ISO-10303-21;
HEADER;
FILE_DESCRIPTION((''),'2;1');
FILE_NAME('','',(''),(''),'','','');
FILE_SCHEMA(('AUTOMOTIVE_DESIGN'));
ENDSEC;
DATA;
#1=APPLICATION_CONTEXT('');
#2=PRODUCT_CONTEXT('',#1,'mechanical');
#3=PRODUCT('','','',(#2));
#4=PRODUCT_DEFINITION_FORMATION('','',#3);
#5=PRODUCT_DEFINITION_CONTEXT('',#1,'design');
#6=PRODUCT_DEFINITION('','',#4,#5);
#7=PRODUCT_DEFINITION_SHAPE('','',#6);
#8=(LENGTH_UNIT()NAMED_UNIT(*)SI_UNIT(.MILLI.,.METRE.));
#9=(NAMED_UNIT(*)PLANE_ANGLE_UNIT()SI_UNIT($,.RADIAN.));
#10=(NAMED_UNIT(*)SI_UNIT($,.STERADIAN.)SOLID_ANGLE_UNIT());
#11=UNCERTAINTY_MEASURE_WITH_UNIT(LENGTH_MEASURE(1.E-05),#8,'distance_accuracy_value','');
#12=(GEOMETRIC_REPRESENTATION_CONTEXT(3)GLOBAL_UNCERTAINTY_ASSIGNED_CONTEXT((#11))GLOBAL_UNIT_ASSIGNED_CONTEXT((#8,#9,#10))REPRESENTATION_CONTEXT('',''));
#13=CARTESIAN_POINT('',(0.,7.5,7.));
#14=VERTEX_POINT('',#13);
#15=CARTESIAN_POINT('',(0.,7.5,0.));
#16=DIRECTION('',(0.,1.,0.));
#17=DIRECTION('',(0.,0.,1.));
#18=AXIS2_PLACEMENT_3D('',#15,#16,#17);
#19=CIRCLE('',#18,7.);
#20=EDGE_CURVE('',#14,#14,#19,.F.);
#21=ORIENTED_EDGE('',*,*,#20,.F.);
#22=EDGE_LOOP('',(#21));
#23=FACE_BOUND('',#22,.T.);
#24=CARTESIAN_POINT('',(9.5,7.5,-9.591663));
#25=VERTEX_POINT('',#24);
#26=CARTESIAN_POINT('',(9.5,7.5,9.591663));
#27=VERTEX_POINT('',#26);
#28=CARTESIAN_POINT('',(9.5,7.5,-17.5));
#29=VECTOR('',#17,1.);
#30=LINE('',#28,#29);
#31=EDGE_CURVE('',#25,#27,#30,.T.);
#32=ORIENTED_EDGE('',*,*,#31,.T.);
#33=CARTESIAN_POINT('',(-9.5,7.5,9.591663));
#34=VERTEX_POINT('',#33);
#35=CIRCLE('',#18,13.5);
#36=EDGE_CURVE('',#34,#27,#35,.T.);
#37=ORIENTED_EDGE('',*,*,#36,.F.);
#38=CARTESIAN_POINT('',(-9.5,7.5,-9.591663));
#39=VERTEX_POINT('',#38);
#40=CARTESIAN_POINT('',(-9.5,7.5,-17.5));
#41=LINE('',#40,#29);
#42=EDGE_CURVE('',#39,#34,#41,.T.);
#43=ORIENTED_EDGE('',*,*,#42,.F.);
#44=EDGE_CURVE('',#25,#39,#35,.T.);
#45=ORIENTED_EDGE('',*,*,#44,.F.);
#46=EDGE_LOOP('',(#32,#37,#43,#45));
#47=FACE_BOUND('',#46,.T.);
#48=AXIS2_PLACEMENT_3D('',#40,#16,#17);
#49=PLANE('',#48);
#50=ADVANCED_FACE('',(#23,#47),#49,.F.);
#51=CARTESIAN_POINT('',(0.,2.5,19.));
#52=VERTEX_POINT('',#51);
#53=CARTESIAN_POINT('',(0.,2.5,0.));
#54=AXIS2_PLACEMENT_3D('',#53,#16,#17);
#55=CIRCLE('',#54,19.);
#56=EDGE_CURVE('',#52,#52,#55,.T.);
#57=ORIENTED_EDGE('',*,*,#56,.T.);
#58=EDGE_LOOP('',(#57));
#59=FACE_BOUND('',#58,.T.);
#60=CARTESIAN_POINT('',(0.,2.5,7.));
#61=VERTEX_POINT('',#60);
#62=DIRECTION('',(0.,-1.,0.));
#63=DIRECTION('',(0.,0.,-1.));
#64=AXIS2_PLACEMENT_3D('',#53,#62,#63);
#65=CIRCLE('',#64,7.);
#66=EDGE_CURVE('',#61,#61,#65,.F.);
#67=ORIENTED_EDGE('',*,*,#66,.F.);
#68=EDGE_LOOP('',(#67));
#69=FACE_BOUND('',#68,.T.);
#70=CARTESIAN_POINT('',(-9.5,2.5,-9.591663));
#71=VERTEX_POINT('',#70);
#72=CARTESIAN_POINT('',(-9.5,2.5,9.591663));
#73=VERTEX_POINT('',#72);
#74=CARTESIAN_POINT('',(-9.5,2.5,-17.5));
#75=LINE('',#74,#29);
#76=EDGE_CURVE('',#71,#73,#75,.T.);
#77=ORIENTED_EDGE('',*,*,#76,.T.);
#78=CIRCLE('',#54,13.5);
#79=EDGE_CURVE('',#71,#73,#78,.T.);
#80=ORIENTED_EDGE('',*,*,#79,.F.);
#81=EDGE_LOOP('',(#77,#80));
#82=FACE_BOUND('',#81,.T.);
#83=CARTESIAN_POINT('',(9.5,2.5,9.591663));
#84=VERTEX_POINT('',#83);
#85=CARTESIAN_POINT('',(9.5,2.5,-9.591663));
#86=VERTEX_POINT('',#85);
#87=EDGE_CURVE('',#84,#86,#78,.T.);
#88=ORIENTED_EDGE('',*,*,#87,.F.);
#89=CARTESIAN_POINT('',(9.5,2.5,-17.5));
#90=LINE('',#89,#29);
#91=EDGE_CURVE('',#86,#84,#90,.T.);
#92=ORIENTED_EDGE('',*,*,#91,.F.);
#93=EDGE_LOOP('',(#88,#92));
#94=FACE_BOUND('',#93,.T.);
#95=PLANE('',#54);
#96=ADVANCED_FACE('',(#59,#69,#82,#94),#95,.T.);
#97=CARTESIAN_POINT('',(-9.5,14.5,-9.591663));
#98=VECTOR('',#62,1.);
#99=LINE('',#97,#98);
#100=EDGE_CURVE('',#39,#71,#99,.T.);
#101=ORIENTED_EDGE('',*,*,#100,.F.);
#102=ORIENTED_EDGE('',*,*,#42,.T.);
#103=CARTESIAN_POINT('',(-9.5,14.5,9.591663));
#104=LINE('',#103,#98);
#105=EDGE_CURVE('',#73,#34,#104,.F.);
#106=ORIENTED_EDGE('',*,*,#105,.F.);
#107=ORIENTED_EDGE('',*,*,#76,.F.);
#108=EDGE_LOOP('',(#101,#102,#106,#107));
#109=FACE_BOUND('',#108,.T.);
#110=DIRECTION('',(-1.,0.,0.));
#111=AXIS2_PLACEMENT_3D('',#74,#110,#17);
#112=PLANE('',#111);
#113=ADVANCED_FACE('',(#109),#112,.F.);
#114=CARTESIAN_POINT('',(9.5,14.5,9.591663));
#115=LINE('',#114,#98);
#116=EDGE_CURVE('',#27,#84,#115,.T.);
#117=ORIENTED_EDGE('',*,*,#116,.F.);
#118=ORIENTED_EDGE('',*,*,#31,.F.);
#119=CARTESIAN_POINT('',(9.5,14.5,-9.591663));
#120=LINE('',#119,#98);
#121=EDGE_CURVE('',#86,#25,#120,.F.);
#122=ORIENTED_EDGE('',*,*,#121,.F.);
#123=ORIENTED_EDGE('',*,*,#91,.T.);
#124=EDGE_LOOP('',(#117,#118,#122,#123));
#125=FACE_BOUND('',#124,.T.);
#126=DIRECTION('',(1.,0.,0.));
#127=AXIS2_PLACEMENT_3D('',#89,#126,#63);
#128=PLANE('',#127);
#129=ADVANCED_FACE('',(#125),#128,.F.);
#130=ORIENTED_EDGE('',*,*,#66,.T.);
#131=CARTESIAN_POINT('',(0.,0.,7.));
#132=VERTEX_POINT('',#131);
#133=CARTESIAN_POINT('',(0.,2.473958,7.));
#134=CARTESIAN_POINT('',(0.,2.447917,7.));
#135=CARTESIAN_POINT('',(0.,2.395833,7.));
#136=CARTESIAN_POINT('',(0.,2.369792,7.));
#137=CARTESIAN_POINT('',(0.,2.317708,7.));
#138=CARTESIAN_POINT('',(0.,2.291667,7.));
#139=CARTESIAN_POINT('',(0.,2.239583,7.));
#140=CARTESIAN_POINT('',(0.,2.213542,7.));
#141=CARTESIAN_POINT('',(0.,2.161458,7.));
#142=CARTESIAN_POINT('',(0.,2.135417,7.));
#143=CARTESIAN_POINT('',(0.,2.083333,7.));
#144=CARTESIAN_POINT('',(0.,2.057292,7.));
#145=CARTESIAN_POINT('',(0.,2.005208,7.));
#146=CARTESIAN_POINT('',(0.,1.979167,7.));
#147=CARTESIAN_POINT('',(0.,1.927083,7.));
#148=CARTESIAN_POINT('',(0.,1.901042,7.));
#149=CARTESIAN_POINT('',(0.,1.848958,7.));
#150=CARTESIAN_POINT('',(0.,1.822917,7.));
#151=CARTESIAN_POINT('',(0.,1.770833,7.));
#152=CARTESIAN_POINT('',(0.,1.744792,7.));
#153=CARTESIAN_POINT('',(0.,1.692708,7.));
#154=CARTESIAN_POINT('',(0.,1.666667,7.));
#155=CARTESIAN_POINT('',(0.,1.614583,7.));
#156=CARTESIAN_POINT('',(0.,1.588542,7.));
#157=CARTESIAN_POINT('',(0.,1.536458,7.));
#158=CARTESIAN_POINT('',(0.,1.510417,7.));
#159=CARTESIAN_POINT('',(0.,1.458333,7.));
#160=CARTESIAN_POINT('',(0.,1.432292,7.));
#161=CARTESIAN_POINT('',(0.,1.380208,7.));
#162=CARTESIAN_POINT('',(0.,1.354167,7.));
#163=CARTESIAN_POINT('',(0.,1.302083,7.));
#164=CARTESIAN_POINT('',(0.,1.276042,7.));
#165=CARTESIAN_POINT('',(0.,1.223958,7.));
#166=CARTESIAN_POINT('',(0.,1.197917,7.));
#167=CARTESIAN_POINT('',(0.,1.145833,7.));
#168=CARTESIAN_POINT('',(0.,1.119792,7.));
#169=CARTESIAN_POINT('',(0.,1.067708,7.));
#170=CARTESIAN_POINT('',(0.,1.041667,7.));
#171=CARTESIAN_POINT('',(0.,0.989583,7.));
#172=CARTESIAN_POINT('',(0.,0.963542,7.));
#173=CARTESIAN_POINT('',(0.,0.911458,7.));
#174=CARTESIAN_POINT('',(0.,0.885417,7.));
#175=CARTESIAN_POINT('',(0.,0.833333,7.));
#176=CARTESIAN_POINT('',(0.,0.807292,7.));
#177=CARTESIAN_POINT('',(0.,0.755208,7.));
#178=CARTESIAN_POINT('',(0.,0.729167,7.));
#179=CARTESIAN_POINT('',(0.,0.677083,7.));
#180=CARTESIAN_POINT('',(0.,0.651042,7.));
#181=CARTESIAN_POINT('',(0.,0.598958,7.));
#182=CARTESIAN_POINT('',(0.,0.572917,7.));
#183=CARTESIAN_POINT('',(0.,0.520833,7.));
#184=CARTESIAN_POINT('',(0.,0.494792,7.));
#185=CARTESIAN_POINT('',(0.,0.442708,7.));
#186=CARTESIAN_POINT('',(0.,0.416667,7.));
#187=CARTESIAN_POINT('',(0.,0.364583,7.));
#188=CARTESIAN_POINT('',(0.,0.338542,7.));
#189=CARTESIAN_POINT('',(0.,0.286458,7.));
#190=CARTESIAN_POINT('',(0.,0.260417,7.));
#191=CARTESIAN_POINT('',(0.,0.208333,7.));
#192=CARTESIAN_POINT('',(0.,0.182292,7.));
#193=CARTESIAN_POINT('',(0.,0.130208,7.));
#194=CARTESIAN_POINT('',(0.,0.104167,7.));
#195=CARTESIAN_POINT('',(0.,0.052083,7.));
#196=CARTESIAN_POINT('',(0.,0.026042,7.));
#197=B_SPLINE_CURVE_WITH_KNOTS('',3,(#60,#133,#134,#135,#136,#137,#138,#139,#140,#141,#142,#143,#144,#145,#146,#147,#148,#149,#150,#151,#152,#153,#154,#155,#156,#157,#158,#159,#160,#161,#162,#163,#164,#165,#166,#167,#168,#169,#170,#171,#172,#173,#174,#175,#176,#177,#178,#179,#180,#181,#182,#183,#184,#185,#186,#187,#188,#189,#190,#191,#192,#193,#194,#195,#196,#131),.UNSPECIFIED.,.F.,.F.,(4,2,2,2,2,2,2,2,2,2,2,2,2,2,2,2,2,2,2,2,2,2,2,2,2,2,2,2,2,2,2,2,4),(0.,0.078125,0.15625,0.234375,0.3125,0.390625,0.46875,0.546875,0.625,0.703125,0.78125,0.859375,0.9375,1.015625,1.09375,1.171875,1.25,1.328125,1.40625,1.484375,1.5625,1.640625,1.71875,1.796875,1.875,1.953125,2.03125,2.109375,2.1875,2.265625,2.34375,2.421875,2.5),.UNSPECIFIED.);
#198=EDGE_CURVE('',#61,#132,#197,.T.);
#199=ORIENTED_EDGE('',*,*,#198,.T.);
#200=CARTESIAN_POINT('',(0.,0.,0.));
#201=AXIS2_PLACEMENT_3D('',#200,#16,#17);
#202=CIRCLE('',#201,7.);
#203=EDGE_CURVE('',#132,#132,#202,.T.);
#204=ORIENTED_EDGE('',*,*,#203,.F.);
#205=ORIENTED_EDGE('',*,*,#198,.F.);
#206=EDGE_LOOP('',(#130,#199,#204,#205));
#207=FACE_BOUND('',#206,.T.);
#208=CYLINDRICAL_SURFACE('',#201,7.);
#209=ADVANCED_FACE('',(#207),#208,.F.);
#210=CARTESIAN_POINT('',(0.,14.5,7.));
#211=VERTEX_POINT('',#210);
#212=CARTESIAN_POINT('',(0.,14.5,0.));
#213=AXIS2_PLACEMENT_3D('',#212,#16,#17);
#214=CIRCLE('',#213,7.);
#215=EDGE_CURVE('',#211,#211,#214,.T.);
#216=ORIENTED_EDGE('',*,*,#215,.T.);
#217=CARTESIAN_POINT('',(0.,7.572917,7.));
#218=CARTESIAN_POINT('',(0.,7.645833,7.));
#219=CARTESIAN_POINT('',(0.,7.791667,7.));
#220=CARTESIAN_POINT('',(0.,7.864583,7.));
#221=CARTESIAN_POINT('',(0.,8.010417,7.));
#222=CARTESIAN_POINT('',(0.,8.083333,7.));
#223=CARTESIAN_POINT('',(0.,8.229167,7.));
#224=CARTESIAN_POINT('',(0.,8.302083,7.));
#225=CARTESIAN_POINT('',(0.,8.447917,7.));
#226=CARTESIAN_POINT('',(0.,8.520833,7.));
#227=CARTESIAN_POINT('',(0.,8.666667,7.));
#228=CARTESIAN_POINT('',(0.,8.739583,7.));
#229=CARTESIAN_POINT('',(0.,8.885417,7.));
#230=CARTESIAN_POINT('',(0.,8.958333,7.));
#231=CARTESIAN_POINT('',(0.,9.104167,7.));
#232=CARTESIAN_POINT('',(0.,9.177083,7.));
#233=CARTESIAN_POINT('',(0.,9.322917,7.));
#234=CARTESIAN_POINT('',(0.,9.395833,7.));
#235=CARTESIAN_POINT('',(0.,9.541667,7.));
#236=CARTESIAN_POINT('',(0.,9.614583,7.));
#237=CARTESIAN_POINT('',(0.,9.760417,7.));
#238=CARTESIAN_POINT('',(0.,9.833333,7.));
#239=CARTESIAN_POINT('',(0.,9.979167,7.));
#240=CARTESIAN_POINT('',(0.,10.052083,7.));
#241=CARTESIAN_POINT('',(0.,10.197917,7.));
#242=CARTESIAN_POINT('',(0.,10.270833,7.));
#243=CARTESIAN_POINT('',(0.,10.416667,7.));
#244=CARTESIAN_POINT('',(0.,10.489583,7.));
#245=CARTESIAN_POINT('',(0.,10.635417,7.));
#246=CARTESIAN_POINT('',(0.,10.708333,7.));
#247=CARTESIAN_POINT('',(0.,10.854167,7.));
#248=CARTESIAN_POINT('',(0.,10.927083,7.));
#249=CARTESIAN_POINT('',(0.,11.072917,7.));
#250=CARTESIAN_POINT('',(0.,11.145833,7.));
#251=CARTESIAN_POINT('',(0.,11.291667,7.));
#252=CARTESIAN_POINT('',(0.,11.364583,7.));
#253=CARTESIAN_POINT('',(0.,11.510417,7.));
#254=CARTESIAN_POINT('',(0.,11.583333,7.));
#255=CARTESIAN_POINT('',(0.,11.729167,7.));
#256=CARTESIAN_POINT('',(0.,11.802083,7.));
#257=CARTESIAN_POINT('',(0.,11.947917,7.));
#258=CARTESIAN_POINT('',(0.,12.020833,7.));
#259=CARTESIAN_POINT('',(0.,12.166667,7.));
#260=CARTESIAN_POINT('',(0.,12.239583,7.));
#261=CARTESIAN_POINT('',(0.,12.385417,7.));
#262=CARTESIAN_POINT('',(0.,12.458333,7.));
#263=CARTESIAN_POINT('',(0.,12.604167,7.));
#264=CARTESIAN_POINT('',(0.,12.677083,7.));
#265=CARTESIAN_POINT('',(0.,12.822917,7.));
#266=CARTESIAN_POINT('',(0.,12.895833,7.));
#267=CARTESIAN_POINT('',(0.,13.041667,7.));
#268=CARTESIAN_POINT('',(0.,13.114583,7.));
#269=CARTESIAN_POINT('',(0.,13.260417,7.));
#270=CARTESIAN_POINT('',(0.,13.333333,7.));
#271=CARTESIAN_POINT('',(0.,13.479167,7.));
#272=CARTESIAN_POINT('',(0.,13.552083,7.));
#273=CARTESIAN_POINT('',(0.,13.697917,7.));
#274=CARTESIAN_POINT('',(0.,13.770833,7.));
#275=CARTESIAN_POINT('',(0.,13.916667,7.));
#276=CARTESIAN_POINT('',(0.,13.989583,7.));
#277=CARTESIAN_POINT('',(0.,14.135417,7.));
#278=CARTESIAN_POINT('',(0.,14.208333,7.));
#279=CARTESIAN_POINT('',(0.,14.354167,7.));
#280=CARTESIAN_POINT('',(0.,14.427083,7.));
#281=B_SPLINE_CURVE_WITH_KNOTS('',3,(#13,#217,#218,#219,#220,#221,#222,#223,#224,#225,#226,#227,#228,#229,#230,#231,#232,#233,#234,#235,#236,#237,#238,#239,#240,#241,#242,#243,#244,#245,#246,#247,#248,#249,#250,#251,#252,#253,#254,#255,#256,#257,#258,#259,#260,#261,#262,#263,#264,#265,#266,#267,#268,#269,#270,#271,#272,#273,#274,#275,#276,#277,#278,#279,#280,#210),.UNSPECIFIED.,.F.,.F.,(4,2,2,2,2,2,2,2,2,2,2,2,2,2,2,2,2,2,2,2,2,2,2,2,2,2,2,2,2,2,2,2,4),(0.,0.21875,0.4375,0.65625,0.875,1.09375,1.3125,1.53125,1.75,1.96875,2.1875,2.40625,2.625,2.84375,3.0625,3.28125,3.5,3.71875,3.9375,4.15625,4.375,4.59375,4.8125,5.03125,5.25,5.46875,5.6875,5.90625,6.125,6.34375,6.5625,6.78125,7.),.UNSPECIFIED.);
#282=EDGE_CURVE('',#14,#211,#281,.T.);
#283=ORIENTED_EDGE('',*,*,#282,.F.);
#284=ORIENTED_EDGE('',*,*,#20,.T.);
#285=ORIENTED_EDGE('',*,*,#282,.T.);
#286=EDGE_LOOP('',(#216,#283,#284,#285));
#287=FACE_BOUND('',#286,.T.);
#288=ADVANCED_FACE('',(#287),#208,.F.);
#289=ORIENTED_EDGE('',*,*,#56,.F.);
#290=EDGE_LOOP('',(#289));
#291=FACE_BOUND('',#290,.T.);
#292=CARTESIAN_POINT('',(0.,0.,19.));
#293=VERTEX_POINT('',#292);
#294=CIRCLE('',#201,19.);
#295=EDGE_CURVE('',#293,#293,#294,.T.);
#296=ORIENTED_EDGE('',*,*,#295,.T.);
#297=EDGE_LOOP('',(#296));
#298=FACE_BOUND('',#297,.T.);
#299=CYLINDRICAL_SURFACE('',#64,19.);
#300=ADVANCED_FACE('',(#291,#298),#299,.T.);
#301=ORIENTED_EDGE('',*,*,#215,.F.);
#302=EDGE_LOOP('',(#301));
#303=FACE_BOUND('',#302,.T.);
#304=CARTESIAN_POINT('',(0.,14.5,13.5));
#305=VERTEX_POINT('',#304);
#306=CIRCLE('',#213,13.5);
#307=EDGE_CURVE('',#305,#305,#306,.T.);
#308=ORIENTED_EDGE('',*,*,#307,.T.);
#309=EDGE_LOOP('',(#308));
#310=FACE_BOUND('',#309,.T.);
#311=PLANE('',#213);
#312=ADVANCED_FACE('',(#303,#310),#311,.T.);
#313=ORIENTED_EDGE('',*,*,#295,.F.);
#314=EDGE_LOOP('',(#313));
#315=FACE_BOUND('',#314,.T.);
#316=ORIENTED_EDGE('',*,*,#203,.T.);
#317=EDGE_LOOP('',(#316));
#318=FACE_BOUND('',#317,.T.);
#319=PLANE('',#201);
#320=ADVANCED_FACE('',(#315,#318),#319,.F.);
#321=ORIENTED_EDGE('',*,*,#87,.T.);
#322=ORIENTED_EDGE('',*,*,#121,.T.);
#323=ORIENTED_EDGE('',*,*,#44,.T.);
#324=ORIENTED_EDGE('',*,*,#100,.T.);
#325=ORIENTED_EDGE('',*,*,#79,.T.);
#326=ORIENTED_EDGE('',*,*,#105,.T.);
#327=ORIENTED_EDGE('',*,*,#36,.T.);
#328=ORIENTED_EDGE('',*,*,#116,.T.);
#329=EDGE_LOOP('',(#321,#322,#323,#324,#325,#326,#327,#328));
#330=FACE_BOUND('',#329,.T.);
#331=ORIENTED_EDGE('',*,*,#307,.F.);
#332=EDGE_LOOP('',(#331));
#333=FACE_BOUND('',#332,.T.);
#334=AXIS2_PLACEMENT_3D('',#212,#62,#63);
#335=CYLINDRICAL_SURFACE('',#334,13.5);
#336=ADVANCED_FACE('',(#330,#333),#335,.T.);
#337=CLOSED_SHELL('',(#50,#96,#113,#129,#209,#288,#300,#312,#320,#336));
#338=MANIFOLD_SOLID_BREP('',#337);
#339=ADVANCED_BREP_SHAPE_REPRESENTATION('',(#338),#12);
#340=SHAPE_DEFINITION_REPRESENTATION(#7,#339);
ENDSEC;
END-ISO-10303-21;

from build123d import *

# Parameters (mm, degrees)
SKETCH1_R           = 19
BOSS_EXTRUDE1_DEPTH = 2.5
SKETCH2_R           = 13.5
BOSS_EXTRUDE2_DEPTH = 12
SKETCH3_R           = 7
CUT_EXTRUDE1_DEPTH  = 31.532769282
SKETCH4_W           = 19
SKETCH4_H           = 5
CUT_EXTRUDE2_DEPTH  = 17.5


with BuildPart() as part:
    # Sketch1 → Boss-Extrude1 (new body)
    with BuildSketch(Plane(origin=(0, 0, 0), x_dir=(1, 0, 0), z_dir=(0, 1, 0))):
        with Locations(Location((0, 0, 0), (0, 0, 270))):
            Circle(SKETCH1_R)
    extrude(amount=BOSS_EXTRUDE1_DEPTH)

    # Sketch2 → Boss-Extrude2 (add)
    with BuildSketch(Plane(origin=(0, 2.5, 0), x_dir=(1, 0, 0), z_dir=(0, 1, 0))):
        with Locations(Location((0, 0, 0), (0, 0, 270))):
            Circle(SKETCH2_R)
    extrude(amount=BOSS_EXTRUDE2_DEPTH)

    # Sketch3 → Cut-Extrude1 (cut, through all)
    with BuildSketch(Plane(origin=(0, 14.5, 0), x_dir=(1, 0, 0), z_dir=(0, 1, 0))):
        with Locations(Location((0, 0, 0), (0, 0, 270))):
            Circle(SKETCH3_R)
    extrude(amount=-CUT_EXTRUDE1_DEPTH, mode=Mode.SUBTRACT)

    # Sketch4 → Cut-Extrude2 (cut, symmetric)
    with BuildSketch(Plane.XY):
        with Locations((0, 5)):
            Rectangle(SKETCH4_W, SKETCH4_H)
    extrude(amount=CUT_EXTRUDE2_DEPTH, both=True, mode=Mode.SUBTRACT)


solid = part.part
